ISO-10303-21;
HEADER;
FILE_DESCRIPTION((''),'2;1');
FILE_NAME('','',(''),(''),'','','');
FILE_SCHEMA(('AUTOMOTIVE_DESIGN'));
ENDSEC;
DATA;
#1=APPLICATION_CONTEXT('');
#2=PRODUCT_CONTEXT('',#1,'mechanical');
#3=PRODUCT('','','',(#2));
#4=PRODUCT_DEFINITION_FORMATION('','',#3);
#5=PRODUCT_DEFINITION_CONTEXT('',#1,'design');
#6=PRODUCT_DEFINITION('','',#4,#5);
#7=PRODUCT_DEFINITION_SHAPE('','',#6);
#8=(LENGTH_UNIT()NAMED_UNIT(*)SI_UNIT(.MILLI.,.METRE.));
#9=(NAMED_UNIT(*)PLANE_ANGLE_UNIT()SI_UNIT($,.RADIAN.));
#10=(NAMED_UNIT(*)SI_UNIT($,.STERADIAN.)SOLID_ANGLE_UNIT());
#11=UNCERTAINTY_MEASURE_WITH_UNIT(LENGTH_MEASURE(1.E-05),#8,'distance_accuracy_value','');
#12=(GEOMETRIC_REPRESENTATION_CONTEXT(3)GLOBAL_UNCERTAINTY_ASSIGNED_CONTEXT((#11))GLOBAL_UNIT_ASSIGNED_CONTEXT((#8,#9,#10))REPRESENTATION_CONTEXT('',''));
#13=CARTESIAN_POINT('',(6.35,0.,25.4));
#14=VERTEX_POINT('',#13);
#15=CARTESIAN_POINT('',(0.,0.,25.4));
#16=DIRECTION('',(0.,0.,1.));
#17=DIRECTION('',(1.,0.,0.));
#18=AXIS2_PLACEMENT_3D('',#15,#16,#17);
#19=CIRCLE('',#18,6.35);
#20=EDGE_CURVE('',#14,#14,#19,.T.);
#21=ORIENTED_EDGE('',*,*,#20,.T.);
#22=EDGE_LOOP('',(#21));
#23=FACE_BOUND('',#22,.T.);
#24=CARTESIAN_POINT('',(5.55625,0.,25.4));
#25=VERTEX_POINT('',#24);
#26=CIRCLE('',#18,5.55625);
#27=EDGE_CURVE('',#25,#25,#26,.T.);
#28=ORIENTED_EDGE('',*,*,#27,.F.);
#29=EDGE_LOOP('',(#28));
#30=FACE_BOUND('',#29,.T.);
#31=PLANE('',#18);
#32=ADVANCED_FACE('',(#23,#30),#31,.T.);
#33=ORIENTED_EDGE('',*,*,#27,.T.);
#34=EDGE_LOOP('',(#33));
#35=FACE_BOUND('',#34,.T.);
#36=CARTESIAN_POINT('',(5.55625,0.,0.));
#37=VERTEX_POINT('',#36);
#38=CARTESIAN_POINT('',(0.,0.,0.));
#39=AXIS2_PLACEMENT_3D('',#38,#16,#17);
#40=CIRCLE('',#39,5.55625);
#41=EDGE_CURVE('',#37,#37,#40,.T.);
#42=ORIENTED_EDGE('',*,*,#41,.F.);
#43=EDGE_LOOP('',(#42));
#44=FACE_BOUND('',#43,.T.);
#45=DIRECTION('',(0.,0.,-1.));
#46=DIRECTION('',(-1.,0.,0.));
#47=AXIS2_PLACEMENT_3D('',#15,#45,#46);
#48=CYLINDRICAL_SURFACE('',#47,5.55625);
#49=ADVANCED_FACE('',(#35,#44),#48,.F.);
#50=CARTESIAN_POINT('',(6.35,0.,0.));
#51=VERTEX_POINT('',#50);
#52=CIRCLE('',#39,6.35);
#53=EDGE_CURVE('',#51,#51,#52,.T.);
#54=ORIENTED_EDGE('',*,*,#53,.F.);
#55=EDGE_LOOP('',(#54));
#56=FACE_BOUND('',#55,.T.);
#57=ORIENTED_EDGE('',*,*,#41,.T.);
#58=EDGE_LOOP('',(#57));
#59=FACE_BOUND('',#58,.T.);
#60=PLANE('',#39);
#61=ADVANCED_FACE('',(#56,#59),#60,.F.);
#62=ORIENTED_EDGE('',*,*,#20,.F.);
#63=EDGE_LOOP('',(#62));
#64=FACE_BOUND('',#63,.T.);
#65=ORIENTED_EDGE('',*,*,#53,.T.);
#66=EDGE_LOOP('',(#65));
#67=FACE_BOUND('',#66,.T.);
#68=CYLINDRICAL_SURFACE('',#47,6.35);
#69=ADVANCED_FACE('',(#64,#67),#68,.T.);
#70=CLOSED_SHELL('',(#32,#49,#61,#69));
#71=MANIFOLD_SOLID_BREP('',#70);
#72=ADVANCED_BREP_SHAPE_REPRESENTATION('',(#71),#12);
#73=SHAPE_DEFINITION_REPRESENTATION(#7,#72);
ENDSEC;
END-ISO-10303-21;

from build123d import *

# Parameters (mm, degrees)
SKETCH1_R           = 6.35
SKETCH1_R_2         = 5.55625
BOSS_EXTRUDE1_DEPTH = 25.4


with BuildPart() as part:
    # Sketch1 → Boss-Extrude1 (new body)
    with BuildSketch(Plane.XY):
        Circle(SKETCH1_R)
        Circle(SKETCH1_R_2, mode=Mode.SUBTRACT)
    extrude(amount=BOSS_EXTRUDE1_DEPTH)


solid = part.part
